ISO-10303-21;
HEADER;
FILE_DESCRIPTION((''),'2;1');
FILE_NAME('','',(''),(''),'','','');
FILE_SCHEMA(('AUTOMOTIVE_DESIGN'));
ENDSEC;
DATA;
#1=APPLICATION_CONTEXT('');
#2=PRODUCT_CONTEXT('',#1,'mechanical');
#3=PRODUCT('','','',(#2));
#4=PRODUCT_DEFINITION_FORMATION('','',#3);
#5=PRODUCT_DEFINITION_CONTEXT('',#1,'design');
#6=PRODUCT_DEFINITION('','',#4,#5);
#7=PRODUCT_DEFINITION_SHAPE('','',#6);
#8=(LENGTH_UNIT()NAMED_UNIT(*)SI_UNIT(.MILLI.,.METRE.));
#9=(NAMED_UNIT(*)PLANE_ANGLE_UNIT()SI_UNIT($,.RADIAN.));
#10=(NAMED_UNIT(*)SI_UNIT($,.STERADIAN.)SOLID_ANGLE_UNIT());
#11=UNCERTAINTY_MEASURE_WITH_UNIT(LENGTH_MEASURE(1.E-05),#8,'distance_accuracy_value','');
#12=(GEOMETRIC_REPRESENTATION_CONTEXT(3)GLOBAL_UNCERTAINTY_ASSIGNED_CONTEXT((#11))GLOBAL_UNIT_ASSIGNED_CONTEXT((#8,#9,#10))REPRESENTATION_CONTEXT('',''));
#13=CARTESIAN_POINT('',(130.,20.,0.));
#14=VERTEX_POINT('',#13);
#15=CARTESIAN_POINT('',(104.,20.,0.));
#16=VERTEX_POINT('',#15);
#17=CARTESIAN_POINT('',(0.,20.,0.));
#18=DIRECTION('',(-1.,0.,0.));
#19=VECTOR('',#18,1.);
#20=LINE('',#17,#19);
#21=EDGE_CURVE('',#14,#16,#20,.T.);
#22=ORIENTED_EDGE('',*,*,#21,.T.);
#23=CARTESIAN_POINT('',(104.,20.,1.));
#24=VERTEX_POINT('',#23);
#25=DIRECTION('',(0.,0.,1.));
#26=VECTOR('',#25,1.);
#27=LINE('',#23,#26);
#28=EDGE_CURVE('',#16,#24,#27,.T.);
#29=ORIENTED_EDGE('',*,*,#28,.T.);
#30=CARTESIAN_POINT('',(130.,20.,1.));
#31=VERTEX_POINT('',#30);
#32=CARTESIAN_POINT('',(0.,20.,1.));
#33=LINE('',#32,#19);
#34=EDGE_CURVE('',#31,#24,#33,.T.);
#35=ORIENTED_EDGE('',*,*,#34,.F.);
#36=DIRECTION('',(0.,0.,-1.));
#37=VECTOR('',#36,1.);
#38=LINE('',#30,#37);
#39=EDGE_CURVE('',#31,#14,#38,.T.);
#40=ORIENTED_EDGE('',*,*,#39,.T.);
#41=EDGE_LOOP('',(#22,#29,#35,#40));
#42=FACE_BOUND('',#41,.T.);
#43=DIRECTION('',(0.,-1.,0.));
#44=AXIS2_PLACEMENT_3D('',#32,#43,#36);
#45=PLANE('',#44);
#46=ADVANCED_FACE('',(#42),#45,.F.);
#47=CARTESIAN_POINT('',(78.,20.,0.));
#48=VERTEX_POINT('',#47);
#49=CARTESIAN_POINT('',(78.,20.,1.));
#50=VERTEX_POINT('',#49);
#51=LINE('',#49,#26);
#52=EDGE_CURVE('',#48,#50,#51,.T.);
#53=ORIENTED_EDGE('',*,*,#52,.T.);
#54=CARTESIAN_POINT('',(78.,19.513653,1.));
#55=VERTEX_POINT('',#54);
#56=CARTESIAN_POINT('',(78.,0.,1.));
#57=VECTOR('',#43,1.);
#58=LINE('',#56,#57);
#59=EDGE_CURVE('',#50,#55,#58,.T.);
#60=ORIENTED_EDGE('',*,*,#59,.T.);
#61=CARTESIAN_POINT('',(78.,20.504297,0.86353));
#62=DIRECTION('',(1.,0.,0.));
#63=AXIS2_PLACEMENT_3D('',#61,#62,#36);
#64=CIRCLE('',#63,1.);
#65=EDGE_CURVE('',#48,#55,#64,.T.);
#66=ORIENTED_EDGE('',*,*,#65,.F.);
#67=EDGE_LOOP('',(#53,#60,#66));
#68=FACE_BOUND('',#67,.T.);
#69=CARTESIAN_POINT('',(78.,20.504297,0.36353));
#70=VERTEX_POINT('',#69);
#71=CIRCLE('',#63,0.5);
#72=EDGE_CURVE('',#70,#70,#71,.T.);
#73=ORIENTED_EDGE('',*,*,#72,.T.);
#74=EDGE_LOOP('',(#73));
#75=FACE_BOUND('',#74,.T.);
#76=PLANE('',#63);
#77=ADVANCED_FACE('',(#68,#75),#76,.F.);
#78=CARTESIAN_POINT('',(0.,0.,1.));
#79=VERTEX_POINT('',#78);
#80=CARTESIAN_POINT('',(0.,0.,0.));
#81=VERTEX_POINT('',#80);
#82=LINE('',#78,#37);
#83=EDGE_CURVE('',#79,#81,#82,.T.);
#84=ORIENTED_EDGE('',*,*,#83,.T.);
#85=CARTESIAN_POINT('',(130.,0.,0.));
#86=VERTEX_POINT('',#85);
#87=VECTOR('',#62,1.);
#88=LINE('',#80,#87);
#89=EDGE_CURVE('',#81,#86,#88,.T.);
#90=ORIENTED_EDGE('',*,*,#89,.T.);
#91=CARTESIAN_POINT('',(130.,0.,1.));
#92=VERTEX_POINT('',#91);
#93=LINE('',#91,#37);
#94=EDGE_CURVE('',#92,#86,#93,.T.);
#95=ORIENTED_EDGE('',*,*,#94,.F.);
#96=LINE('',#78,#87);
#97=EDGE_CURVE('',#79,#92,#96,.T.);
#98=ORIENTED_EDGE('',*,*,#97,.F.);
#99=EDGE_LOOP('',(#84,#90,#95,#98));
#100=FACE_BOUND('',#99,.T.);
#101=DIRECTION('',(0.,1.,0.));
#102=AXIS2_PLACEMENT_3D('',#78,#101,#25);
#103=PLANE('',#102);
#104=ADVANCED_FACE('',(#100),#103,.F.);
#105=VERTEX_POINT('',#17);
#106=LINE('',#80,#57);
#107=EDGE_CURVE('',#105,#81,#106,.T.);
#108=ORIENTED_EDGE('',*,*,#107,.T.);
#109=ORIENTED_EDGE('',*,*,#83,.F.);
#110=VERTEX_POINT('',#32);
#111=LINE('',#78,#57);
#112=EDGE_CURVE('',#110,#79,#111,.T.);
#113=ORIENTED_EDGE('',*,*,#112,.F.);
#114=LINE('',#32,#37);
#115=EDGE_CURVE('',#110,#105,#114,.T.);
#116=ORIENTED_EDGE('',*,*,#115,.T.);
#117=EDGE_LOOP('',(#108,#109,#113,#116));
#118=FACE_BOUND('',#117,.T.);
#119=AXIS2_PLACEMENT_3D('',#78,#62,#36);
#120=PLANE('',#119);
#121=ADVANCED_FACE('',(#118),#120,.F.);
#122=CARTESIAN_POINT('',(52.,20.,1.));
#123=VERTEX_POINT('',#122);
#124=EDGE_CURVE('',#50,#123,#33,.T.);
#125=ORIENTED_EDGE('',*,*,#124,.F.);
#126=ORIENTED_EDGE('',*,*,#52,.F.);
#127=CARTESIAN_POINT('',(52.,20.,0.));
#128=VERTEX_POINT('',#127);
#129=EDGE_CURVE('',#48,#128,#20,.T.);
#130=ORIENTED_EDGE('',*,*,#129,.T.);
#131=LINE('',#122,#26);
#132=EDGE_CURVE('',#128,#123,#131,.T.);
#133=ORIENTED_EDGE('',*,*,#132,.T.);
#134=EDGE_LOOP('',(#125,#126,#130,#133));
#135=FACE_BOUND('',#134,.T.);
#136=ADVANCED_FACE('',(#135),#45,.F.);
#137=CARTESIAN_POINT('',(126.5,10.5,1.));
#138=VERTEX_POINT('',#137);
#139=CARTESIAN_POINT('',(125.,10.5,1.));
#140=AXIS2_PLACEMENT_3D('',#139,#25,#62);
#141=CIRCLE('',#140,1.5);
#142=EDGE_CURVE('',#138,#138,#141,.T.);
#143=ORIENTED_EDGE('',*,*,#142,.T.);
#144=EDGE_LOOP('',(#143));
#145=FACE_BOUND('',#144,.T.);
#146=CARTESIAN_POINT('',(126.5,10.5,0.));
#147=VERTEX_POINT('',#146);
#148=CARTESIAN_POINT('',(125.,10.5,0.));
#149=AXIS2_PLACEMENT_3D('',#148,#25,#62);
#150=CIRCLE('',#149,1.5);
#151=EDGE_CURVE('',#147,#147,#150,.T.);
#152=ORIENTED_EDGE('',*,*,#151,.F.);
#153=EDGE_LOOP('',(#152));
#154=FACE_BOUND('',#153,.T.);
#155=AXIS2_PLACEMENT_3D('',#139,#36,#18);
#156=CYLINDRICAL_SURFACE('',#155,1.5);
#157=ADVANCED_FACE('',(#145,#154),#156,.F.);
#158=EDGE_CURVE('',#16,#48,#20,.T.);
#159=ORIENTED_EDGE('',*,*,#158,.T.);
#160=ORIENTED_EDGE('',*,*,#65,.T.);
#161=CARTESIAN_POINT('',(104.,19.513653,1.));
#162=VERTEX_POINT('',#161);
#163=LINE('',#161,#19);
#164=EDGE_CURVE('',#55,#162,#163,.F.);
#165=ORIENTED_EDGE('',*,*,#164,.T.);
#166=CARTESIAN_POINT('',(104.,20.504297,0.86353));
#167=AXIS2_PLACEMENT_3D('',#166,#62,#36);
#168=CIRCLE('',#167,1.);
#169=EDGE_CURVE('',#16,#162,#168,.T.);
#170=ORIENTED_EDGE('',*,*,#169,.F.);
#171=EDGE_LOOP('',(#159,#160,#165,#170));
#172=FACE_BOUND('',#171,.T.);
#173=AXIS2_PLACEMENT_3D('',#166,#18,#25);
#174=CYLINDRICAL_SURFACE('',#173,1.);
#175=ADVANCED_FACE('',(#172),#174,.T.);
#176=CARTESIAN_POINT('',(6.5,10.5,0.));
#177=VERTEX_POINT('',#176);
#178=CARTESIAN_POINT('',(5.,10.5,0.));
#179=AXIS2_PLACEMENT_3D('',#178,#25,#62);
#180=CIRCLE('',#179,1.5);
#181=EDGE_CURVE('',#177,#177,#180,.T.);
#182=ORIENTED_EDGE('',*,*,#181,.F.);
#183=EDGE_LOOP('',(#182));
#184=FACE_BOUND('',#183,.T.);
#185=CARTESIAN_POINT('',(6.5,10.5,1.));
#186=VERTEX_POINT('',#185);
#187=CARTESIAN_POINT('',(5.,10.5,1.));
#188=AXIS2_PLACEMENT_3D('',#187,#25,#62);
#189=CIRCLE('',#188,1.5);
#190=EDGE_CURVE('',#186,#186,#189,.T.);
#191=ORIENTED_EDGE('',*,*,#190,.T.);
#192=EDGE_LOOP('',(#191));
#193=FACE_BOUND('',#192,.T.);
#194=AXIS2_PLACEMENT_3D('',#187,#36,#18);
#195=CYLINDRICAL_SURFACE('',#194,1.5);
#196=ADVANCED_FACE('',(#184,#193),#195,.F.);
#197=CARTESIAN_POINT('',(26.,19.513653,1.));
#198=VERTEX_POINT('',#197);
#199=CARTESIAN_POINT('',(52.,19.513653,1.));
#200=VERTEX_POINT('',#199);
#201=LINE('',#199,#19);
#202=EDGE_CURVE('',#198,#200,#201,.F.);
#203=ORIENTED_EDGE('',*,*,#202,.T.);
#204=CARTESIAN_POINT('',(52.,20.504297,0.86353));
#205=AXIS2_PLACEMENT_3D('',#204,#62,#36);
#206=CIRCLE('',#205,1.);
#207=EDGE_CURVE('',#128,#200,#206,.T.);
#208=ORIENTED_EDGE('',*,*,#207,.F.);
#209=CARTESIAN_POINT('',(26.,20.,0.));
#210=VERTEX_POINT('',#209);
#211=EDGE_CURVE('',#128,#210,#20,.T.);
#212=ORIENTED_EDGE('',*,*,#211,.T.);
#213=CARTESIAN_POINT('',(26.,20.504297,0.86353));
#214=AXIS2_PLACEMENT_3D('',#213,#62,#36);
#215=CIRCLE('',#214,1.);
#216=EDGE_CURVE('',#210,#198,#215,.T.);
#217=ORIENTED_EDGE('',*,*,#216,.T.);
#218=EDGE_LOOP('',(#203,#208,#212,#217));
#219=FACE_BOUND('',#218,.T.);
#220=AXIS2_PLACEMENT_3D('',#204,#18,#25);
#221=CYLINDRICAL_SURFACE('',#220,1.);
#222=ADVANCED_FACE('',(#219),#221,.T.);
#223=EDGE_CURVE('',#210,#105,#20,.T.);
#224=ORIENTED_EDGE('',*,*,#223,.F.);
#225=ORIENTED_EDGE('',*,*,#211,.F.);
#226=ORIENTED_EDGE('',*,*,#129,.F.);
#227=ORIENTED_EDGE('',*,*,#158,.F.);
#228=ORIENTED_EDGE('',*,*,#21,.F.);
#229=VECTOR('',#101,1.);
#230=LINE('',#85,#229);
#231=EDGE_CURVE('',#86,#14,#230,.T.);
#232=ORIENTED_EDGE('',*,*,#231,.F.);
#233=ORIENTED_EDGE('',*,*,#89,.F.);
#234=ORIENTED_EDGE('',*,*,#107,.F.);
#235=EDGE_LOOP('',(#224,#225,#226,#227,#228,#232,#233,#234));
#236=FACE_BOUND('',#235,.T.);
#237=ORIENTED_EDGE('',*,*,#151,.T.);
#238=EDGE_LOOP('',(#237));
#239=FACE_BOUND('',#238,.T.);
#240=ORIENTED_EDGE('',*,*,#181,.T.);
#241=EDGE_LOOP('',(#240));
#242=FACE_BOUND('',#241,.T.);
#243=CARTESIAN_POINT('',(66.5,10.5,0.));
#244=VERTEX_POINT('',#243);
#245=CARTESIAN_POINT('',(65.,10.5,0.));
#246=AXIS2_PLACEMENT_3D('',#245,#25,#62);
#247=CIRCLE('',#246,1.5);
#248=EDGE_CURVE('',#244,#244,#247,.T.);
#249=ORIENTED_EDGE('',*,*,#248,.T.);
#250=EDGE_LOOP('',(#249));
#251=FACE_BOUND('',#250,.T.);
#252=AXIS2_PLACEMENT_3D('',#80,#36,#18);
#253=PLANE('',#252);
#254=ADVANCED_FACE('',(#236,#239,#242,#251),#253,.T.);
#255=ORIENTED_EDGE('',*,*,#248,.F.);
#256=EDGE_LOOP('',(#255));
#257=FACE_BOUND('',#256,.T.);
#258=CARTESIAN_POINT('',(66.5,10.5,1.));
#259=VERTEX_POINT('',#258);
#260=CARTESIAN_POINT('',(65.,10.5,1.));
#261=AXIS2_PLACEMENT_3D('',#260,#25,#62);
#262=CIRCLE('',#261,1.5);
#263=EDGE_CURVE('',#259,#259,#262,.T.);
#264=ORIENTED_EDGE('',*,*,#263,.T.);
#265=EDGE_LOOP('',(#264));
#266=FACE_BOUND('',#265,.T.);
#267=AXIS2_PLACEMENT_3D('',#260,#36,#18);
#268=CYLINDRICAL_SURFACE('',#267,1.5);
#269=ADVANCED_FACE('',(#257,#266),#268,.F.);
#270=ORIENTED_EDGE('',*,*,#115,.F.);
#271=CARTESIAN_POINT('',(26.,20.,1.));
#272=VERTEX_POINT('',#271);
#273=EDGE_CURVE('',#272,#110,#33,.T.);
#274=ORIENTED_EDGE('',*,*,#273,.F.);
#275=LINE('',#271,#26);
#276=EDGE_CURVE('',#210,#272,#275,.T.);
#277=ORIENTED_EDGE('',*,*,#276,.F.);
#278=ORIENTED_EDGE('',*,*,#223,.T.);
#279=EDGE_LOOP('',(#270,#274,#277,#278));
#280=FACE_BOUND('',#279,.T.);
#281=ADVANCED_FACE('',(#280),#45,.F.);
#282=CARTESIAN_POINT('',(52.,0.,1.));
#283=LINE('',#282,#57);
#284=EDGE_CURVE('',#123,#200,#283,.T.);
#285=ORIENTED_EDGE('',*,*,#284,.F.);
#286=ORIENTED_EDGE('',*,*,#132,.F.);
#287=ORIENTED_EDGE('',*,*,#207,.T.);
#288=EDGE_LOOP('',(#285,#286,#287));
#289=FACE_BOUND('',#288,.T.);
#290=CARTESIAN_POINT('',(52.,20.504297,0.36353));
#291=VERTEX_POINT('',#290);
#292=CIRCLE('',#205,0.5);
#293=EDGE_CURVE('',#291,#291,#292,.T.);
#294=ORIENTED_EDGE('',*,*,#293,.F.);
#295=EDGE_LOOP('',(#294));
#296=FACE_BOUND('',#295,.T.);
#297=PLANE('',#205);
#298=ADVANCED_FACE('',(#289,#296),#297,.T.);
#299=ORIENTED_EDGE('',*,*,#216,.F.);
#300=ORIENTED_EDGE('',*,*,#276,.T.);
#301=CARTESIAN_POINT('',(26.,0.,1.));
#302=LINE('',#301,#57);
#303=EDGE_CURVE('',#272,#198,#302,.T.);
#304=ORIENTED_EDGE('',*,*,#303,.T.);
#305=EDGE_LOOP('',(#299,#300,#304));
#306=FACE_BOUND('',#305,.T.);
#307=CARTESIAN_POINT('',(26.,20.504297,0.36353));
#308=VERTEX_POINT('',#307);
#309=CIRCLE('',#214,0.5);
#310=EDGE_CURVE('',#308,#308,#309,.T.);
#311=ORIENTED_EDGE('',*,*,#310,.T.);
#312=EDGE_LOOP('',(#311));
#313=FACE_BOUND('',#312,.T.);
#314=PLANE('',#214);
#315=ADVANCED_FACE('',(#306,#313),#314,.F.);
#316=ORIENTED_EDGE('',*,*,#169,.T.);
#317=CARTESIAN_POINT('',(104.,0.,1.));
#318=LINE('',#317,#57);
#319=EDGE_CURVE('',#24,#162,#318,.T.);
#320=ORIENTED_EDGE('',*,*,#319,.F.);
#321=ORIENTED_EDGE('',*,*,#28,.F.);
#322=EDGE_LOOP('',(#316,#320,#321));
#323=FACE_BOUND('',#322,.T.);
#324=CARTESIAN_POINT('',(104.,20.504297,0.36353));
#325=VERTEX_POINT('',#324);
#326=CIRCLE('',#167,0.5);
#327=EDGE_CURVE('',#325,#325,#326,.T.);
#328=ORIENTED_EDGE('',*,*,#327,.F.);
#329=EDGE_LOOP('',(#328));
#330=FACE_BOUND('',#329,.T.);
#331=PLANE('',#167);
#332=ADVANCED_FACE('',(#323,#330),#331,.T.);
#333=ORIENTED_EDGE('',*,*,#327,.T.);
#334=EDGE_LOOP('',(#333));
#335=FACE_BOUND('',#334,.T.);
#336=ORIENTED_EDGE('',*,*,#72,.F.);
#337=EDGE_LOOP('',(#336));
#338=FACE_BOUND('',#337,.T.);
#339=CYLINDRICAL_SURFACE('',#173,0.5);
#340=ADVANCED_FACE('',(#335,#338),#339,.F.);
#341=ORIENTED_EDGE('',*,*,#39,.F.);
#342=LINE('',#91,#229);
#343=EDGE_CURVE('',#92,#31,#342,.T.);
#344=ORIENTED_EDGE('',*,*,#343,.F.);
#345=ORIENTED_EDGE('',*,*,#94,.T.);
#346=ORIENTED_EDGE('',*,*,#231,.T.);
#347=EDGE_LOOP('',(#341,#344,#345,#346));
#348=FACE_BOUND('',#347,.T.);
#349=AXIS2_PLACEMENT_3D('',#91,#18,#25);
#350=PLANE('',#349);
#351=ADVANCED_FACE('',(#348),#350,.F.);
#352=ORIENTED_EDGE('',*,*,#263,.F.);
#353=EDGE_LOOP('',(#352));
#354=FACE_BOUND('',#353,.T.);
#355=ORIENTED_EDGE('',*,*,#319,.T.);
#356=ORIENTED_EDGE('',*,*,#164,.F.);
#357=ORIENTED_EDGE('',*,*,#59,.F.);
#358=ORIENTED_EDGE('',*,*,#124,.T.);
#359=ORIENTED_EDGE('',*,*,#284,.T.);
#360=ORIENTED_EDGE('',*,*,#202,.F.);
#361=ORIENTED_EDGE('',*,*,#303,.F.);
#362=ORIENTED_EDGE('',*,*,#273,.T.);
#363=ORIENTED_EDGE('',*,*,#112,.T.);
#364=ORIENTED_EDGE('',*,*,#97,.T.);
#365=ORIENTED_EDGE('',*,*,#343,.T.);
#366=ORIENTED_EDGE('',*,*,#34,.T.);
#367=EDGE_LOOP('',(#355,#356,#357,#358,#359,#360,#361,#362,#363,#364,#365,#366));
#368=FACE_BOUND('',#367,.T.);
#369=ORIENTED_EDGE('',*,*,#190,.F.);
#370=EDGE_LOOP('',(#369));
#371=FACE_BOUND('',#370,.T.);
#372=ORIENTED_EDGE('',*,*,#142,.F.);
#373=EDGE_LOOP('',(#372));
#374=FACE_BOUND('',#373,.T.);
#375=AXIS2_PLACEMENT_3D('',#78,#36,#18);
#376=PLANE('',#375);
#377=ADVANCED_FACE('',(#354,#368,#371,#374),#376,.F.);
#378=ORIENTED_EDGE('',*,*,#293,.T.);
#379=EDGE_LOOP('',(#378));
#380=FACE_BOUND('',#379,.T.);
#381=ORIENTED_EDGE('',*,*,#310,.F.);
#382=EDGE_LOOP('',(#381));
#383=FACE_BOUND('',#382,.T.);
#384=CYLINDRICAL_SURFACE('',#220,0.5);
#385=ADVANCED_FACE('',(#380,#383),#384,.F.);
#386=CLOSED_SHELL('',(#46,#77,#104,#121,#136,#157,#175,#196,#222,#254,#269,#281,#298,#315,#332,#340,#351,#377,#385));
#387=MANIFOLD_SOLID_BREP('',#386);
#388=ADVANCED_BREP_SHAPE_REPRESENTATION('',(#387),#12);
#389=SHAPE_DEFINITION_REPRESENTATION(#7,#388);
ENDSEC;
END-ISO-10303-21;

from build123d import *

# Parameters (mm, degrees)
SKETCH1_W           = 130
SKETCH1_H           = 20
SKETCH1_R           = 1.5
BOSS_EXTRUDE1_DEPTH = 1
BOSS_EXTRUDE2_START = 26
SKETCH3_R           = 1
SKETCH3_R_2         = 0.5
BOSS_EXTRUDE2_DEPTH = 26
LPATTERN1_COUNT     = 2
LPATTERN1_PITCH     = 52


with BuildPart() as part:
    # Sketch1 → Boss-Extrude1 (new body)
    with BuildSketch(Plane.XY):
        with Locations((65, 10)):
            Rectangle(SKETCH1_W, SKETCH1_H)
        with Locations((65, 10.5)):
            Circle(SKETCH1_R, mode=Mode.SUBTRACT)
        with Locations((5, 10.5)):
            Circle(SKETCH1_R, mode=Mode.SUBTRACT)
        with Locations((125, 10.5)):
            Circle(SKETCH1_R, mode=Mode.SUBTRACT)
    extrude(amount=BOSS_EXTRUDE1_DEPTH)

    # Sketch3 → Boss-Extrude2 (add)
    with BuildSketch(Plane(origin=(0, 0, 0), x_dir=(0, 0, -1), z_dir=(1, 0, 0)).offset(BOSS_EXTRUDE2_START)):
        with Locations((-0.863530112, 20.504297279)):
            Circle(SKETCH3_R)
        with Locations((-0.863530112, 20.504297279)):
            Circle(SKETCH3_R_2, mode=Mode.SUBTRACT)
    boss_extrude2 = extrude(amount=BOSS_EXTRUDE2_DEPTH)

    # LPattern1: Boss-Extrude2 ×2
    with Locations(*[(i * LPATTERN1_PITCH, 0, 0) for i in range(1, LPATTERN1_COUNT)]):
        add(boss_extrude2)


solid = part.part
